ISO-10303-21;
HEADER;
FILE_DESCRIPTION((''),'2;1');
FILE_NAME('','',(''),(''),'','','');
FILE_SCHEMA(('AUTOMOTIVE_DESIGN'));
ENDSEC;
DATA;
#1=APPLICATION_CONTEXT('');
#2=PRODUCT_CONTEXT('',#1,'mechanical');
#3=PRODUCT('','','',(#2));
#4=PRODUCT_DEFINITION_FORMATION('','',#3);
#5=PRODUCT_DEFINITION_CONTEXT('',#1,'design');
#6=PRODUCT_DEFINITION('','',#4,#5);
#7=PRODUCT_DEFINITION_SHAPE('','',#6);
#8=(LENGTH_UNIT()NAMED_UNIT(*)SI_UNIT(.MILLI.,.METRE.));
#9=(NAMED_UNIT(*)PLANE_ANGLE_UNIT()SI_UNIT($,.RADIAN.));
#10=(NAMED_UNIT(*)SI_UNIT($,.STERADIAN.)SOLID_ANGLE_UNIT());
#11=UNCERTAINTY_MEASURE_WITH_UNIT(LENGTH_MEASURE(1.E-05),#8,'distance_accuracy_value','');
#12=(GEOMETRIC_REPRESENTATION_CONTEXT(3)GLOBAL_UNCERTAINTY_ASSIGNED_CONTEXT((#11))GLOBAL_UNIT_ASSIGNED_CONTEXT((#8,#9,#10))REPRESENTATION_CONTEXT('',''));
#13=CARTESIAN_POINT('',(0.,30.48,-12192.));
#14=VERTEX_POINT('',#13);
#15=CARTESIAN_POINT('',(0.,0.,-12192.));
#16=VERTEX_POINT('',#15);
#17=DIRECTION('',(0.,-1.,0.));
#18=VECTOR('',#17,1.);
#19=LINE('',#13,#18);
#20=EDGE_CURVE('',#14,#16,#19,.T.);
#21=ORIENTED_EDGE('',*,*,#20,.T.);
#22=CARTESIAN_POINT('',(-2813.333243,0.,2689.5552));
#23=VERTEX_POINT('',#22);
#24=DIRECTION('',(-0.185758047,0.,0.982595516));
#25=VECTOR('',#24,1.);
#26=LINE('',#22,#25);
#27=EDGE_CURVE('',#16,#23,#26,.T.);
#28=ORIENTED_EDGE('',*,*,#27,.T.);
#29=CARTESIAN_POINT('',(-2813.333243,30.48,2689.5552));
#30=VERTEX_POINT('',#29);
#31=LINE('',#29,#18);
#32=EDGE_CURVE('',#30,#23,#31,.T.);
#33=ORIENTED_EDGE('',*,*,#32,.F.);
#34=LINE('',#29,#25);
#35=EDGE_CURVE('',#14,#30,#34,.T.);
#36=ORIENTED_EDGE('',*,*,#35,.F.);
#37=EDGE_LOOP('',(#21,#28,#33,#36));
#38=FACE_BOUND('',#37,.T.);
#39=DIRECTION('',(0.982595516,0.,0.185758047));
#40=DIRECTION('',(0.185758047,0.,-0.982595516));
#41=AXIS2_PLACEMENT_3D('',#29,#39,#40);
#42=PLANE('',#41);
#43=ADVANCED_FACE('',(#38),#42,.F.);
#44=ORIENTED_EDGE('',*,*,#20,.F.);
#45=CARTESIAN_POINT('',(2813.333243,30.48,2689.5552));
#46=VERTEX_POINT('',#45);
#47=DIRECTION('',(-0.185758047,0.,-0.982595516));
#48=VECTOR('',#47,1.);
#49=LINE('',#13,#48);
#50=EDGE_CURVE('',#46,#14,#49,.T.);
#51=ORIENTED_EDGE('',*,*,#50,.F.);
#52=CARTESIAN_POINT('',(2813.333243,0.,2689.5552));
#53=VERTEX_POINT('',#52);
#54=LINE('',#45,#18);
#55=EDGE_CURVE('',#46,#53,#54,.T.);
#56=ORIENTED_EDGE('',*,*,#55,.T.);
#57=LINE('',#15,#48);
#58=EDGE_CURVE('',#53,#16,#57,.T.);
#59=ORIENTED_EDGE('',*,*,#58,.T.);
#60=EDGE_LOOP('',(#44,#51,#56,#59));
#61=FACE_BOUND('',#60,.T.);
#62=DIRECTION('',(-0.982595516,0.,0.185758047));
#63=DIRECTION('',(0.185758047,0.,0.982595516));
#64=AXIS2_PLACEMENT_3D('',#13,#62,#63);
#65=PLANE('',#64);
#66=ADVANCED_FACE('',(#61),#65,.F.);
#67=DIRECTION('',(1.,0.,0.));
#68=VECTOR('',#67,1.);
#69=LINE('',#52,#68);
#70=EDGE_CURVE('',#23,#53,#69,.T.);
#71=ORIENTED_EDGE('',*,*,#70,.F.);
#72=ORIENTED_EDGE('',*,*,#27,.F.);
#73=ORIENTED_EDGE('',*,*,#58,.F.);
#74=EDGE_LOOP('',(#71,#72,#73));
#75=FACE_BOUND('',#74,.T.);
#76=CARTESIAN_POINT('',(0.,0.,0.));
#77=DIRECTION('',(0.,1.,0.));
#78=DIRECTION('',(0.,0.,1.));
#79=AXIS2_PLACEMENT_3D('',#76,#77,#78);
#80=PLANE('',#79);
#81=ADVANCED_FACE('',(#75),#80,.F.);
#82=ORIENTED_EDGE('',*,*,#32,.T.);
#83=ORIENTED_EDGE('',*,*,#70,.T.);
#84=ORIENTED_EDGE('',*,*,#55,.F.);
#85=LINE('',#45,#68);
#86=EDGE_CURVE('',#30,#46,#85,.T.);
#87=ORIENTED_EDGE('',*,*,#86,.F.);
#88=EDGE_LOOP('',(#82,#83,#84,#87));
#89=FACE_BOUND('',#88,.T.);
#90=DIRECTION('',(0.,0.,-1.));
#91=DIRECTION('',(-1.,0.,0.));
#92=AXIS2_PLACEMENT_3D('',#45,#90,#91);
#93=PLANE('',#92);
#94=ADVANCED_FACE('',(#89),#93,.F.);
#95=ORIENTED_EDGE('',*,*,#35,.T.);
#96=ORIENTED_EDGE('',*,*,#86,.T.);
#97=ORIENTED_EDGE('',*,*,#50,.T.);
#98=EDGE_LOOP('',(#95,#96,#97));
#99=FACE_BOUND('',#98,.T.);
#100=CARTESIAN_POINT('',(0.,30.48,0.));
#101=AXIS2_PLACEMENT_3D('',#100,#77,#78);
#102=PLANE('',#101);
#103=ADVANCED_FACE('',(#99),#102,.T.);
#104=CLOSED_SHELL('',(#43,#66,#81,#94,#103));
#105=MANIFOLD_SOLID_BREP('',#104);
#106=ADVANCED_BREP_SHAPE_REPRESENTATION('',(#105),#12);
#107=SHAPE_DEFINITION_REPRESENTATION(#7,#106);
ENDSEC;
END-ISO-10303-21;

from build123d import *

# Parameters (mm, degrees)
BOSS_EXTRUDE1_DEPTH = 30.48


with BuildPart() as part:
    # Sketch7 → Boss-Extrude1 (new body)
    with BuildSketch(Plane(origin=(0, 0, 0), x_dir=(1, 0, 0), z_dir=(0, 1, 0))):
        Polygon((0, 12192), (2813.333243411, -2689.5552), (-2813.333243411, -2689.5552), align=None)
    extrude(amount=BOSS_EXTRUDE1_DEPTH)


solid = part.part
